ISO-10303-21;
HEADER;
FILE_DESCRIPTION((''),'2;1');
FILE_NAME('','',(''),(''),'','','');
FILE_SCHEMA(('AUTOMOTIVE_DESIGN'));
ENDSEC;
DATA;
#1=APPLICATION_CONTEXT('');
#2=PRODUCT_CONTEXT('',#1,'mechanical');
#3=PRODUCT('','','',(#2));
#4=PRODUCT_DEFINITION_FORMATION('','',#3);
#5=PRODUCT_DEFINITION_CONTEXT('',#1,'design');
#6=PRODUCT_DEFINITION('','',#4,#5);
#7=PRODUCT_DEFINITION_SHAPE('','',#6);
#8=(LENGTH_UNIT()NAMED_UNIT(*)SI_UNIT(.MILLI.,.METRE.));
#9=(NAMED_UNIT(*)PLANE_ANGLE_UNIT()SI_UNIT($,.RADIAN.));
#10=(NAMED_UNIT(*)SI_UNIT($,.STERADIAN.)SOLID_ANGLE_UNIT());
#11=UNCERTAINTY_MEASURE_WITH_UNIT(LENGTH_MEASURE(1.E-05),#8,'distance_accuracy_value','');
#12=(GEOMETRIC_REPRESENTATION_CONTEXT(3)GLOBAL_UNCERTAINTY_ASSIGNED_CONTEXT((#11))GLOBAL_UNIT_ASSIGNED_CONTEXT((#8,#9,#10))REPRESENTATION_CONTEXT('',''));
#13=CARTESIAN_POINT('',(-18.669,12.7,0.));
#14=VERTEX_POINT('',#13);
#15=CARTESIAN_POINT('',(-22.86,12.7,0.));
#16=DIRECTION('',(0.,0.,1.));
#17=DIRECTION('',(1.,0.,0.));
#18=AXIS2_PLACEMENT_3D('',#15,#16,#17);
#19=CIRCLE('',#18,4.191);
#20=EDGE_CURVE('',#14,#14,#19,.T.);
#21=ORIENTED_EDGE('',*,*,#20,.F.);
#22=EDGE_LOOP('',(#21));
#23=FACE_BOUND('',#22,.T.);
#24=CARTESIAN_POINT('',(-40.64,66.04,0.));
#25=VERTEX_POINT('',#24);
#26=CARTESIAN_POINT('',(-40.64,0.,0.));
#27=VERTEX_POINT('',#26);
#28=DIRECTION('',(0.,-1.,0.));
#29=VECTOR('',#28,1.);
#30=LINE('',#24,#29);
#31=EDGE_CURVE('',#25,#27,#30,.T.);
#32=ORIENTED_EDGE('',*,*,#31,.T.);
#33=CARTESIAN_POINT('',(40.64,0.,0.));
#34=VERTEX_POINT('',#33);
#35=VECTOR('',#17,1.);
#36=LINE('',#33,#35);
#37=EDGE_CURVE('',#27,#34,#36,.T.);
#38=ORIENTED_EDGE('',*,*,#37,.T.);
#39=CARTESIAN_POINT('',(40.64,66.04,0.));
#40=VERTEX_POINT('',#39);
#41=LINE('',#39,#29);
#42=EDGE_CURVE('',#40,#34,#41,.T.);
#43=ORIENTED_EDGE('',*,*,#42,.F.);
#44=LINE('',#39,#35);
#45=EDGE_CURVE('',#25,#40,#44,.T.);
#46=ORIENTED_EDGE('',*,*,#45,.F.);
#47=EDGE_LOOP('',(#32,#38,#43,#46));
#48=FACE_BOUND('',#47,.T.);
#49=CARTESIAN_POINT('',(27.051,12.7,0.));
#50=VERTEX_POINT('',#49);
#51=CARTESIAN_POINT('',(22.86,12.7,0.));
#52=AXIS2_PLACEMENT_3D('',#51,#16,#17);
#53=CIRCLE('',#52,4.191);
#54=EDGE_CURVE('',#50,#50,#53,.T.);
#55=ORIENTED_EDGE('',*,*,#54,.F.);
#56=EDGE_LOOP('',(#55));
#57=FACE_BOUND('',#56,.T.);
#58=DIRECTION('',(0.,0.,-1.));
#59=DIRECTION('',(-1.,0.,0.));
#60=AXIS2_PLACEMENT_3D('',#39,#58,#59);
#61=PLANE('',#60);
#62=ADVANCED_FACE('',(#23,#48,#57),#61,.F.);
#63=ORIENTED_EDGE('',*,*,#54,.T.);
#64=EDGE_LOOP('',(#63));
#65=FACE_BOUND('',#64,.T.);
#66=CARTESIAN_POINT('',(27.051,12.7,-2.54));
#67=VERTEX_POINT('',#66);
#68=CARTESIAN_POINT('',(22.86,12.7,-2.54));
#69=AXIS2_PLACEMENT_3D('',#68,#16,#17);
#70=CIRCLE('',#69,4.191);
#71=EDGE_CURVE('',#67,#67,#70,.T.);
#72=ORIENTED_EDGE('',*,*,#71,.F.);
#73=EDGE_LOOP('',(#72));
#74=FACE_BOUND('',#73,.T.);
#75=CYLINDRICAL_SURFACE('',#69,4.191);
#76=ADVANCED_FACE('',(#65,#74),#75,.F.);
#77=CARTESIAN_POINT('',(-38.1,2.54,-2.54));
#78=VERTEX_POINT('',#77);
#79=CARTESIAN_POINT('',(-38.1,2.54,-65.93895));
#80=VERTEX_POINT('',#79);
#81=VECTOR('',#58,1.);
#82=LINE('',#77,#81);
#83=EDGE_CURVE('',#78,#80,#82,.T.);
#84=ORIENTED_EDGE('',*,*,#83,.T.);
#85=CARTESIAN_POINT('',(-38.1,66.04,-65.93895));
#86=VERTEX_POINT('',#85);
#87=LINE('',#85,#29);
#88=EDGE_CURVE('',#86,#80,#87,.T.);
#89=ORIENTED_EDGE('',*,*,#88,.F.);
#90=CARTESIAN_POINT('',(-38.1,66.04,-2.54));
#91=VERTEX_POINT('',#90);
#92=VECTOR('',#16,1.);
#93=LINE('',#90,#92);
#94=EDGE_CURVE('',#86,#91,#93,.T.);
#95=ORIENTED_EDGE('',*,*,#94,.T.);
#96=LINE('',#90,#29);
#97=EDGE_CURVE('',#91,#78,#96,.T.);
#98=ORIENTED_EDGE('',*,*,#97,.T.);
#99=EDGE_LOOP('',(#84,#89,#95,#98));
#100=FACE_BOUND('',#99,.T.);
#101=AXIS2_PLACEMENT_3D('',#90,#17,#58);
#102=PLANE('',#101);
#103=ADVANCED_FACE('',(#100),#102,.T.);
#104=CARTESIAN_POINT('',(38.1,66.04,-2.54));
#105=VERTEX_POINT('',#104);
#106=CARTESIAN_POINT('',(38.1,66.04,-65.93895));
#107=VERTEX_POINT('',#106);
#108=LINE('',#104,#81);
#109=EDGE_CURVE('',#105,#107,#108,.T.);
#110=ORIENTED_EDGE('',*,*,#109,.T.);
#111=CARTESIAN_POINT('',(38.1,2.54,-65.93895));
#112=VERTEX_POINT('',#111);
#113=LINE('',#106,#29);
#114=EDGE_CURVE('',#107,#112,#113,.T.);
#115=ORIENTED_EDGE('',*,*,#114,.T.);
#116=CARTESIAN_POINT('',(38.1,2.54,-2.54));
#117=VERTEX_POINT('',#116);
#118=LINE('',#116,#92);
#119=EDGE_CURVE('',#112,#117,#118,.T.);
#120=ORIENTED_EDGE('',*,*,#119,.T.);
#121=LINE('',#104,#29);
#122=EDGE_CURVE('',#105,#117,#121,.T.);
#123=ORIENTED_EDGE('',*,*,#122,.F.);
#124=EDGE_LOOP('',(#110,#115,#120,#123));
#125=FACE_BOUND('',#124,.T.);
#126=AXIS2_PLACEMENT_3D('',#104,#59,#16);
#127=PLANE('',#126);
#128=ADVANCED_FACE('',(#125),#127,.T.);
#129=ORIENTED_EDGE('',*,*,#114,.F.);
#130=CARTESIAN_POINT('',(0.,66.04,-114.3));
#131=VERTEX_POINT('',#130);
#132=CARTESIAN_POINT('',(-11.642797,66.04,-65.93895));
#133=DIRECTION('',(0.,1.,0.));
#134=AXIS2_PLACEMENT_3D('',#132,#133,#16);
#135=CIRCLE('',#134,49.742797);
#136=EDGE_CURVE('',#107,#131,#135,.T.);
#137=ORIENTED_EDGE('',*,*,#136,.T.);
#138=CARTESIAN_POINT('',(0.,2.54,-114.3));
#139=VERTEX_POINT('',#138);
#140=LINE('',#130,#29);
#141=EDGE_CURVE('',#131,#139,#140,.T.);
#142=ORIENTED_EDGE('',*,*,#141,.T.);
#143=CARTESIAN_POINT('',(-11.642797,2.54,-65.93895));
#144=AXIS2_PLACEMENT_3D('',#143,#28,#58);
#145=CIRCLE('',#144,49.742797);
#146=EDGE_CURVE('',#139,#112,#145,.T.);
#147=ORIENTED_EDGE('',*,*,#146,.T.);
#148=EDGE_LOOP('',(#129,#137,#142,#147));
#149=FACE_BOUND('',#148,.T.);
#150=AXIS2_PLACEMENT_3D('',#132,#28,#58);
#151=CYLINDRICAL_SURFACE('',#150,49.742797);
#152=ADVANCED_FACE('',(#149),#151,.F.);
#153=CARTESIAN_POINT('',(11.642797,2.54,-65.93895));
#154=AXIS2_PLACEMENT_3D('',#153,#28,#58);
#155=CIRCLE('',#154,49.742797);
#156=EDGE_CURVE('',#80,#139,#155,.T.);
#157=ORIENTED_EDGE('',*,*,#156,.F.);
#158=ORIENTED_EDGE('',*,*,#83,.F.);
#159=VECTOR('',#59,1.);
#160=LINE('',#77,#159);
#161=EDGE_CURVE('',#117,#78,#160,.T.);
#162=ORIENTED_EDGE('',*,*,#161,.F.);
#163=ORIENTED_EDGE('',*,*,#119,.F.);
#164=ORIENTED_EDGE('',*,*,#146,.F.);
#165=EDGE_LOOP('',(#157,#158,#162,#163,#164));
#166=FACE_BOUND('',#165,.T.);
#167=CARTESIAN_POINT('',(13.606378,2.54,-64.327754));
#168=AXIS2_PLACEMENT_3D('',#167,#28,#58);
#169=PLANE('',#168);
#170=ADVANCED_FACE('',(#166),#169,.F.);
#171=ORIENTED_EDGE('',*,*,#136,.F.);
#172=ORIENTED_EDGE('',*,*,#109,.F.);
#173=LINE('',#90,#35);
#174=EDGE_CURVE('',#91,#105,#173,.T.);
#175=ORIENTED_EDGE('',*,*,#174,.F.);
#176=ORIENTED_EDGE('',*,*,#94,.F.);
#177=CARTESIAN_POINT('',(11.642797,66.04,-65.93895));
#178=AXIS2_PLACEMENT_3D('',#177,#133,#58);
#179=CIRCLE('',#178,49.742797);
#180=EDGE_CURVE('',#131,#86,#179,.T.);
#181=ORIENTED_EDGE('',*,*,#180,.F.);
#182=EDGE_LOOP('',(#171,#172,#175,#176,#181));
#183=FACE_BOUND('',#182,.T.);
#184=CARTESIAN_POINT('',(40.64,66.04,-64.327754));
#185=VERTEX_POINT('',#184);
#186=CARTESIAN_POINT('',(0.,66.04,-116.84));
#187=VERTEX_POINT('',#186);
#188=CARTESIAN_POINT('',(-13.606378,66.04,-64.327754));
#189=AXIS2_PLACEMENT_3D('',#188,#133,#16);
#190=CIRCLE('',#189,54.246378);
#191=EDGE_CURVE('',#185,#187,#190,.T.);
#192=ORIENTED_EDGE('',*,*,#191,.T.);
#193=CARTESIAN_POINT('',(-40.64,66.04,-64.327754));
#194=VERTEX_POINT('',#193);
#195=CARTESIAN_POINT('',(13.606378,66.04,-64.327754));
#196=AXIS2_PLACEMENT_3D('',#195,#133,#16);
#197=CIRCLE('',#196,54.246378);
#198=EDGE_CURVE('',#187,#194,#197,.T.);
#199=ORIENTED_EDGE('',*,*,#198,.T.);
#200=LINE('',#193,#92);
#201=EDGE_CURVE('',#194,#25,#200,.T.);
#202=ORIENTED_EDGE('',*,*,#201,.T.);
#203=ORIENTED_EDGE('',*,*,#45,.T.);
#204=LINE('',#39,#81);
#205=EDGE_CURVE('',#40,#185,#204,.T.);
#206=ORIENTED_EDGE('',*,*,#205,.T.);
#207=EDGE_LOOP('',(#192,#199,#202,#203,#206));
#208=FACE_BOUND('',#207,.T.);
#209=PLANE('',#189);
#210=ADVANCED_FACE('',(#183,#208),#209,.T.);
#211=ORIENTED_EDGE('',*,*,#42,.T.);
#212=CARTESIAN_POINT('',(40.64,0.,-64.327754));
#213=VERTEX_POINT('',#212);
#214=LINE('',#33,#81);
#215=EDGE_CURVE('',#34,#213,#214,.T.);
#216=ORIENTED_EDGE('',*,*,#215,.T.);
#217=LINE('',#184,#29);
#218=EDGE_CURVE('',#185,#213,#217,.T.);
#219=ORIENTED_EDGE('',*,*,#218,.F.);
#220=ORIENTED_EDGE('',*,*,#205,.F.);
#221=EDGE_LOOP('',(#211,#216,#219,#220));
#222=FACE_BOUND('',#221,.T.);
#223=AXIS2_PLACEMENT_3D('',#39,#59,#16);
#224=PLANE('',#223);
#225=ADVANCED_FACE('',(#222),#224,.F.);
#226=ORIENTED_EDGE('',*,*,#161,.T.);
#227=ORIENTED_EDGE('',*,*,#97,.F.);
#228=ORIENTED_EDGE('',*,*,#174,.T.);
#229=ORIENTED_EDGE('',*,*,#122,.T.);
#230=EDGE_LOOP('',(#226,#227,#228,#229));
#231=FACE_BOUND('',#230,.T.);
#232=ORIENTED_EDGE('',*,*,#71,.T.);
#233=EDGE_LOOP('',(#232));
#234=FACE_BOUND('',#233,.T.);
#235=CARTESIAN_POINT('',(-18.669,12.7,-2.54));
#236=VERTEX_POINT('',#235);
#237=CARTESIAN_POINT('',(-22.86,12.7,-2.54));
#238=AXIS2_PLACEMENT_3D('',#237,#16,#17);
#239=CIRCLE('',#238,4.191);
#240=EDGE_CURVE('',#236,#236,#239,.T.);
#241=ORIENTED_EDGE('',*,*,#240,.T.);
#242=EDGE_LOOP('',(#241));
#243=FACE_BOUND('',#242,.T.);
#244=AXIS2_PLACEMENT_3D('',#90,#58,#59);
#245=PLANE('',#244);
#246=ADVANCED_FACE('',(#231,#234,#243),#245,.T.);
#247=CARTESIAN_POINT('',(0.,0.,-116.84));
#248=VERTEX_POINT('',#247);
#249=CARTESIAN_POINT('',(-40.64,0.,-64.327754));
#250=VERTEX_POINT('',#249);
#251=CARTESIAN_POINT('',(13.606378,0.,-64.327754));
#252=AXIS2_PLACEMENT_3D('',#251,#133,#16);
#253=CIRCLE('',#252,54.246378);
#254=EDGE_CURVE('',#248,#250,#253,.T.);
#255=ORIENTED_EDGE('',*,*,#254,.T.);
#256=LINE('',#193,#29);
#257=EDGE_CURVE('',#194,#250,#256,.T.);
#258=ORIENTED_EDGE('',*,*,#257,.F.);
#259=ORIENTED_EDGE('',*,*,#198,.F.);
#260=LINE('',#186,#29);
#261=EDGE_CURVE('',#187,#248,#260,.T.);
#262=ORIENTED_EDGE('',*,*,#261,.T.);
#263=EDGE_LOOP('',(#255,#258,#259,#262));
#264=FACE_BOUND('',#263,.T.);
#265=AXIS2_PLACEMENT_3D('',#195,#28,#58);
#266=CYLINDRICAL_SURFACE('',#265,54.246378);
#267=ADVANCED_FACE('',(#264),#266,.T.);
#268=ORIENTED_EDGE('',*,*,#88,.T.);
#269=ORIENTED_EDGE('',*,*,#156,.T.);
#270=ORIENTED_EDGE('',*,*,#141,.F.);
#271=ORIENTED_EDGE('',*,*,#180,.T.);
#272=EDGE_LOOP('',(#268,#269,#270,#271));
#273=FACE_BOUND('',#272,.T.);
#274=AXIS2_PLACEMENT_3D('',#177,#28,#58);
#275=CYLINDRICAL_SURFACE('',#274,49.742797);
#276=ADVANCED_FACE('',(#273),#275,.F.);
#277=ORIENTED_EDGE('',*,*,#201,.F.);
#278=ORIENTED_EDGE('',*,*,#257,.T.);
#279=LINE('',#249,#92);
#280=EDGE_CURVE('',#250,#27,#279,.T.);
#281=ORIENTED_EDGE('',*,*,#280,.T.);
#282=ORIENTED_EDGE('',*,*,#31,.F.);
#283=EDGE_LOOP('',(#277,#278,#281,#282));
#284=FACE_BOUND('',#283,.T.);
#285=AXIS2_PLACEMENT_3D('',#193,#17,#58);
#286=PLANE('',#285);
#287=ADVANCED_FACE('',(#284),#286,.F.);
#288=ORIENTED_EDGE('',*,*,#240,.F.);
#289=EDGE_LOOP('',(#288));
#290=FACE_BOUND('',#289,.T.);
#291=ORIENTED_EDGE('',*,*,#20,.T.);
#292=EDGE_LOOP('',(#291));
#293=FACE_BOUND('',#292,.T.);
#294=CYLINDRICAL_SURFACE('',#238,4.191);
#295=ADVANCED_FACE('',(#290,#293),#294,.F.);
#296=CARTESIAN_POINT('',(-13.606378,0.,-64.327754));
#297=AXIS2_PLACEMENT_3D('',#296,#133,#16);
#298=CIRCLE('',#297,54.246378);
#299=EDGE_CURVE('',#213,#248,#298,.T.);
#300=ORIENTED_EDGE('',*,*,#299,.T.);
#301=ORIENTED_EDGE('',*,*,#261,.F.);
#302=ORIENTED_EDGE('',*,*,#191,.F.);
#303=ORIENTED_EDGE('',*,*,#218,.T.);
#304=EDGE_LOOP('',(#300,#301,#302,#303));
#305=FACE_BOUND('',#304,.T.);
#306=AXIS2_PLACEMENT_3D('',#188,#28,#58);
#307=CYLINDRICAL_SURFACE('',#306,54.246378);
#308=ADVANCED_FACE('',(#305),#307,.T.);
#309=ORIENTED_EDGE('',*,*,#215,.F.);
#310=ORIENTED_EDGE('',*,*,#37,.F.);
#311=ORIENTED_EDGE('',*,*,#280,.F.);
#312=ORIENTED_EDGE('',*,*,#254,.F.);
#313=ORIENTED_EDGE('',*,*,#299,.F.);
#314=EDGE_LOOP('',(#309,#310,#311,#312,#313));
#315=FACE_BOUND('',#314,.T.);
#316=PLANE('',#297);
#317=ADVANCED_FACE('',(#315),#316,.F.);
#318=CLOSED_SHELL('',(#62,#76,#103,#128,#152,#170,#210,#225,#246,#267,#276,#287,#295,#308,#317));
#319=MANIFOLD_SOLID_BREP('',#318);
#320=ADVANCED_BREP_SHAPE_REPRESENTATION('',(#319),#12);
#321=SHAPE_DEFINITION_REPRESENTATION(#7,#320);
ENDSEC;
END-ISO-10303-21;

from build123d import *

# Parameters (mm, degrees)
BOSS_EXTRUDE1_DEPTH = 66.04
THICKEN1_T2         = 2.54
SKETCH3_R           = 4.191
CUT_EXTRUDE1_DEPTH  = 2.54


with BuildPart() as part:
    # Sketch1 → Boss-Extrude1 (new body)
    with BuildSketch(Plane(origin=(0, 0, 0), x_dir=(1, 0, 0), z_dir=(0, 1, 0))):
        with BuildLine():
            Line((40.64, 0), (-40.64, 0))
            Line((-40.64, 0), (-40.64, 64.32775415))
            ThreePointArc((-40.64, 64.32775415), (-29.293308759, 97.528452803), (0, 116.84))
            ThreePointArc((0, 116.84), (29.293308759, 97.528452803), (40.64, 64.32775415))
            Line((40.64, 64.32775415), (40.64, 0))
        make_face()
        with BuildLine():
            Line((-38.1, 2.54), (38.1, 2.54))
            Line((38.1, 2.54), (38.1, 65.938950101))
            ThreePointArc((38.1, 65.938950101), (27.430794734, 96.722067013), (0, 114.3))
            ThreePointArc((0, 114.3), (-27.430794734, 96.722067013), (-38.1, 65.938950101))
            Line((-38.1, 65.938950101), (-38.1, 2.54))
        make_face(mode=Mode.SUBTRACT)
    extrude(amount=BOSS_EXTRUDE1_DEPTH)

    # Sketch2 → Surface-Plane1: a flat surface bounded by the sketch
    with BuildSketch(Plane.XZ, mode=Mode.PRIVATE) as surface_plane1_1_region:
        with BuildLine():
            Line((-40.64, 0), (40.64, 0))
            Line((40.64, 0), (40.64, -64.32775415))
            ThreePointArc((40.64, -64.32775415), (29.293308759, -97.528452803), (0, -116.84))
            ThreePointArc((0, -116.84), (-29.293308759, -97.528452803), (-40.64, -64.32775415))
            Line((-40.64, -64.32775415), (-40.64, 0))
        make_face()
    surface_plane1_1 = surface_plane1_1_region.sketch.faces()[0]
    add(Solid.thicken(surface_plane1_1, -THICKEN1_T2))

    # Sketch3 → Cut-Extrude1 (cut)
    with BuildSketch(Plane.XY):
        with Locations((22.86, 12.7)):
            Circle(SKETCH3_R)
        with Locations((-22.86, 12.7)):
            Circle(SKETCH3_R)
    extrude(amount=-CUT_EXTRUDE1_DEPTH, mode=Mode.SUBTRACT)


solid = part.part
